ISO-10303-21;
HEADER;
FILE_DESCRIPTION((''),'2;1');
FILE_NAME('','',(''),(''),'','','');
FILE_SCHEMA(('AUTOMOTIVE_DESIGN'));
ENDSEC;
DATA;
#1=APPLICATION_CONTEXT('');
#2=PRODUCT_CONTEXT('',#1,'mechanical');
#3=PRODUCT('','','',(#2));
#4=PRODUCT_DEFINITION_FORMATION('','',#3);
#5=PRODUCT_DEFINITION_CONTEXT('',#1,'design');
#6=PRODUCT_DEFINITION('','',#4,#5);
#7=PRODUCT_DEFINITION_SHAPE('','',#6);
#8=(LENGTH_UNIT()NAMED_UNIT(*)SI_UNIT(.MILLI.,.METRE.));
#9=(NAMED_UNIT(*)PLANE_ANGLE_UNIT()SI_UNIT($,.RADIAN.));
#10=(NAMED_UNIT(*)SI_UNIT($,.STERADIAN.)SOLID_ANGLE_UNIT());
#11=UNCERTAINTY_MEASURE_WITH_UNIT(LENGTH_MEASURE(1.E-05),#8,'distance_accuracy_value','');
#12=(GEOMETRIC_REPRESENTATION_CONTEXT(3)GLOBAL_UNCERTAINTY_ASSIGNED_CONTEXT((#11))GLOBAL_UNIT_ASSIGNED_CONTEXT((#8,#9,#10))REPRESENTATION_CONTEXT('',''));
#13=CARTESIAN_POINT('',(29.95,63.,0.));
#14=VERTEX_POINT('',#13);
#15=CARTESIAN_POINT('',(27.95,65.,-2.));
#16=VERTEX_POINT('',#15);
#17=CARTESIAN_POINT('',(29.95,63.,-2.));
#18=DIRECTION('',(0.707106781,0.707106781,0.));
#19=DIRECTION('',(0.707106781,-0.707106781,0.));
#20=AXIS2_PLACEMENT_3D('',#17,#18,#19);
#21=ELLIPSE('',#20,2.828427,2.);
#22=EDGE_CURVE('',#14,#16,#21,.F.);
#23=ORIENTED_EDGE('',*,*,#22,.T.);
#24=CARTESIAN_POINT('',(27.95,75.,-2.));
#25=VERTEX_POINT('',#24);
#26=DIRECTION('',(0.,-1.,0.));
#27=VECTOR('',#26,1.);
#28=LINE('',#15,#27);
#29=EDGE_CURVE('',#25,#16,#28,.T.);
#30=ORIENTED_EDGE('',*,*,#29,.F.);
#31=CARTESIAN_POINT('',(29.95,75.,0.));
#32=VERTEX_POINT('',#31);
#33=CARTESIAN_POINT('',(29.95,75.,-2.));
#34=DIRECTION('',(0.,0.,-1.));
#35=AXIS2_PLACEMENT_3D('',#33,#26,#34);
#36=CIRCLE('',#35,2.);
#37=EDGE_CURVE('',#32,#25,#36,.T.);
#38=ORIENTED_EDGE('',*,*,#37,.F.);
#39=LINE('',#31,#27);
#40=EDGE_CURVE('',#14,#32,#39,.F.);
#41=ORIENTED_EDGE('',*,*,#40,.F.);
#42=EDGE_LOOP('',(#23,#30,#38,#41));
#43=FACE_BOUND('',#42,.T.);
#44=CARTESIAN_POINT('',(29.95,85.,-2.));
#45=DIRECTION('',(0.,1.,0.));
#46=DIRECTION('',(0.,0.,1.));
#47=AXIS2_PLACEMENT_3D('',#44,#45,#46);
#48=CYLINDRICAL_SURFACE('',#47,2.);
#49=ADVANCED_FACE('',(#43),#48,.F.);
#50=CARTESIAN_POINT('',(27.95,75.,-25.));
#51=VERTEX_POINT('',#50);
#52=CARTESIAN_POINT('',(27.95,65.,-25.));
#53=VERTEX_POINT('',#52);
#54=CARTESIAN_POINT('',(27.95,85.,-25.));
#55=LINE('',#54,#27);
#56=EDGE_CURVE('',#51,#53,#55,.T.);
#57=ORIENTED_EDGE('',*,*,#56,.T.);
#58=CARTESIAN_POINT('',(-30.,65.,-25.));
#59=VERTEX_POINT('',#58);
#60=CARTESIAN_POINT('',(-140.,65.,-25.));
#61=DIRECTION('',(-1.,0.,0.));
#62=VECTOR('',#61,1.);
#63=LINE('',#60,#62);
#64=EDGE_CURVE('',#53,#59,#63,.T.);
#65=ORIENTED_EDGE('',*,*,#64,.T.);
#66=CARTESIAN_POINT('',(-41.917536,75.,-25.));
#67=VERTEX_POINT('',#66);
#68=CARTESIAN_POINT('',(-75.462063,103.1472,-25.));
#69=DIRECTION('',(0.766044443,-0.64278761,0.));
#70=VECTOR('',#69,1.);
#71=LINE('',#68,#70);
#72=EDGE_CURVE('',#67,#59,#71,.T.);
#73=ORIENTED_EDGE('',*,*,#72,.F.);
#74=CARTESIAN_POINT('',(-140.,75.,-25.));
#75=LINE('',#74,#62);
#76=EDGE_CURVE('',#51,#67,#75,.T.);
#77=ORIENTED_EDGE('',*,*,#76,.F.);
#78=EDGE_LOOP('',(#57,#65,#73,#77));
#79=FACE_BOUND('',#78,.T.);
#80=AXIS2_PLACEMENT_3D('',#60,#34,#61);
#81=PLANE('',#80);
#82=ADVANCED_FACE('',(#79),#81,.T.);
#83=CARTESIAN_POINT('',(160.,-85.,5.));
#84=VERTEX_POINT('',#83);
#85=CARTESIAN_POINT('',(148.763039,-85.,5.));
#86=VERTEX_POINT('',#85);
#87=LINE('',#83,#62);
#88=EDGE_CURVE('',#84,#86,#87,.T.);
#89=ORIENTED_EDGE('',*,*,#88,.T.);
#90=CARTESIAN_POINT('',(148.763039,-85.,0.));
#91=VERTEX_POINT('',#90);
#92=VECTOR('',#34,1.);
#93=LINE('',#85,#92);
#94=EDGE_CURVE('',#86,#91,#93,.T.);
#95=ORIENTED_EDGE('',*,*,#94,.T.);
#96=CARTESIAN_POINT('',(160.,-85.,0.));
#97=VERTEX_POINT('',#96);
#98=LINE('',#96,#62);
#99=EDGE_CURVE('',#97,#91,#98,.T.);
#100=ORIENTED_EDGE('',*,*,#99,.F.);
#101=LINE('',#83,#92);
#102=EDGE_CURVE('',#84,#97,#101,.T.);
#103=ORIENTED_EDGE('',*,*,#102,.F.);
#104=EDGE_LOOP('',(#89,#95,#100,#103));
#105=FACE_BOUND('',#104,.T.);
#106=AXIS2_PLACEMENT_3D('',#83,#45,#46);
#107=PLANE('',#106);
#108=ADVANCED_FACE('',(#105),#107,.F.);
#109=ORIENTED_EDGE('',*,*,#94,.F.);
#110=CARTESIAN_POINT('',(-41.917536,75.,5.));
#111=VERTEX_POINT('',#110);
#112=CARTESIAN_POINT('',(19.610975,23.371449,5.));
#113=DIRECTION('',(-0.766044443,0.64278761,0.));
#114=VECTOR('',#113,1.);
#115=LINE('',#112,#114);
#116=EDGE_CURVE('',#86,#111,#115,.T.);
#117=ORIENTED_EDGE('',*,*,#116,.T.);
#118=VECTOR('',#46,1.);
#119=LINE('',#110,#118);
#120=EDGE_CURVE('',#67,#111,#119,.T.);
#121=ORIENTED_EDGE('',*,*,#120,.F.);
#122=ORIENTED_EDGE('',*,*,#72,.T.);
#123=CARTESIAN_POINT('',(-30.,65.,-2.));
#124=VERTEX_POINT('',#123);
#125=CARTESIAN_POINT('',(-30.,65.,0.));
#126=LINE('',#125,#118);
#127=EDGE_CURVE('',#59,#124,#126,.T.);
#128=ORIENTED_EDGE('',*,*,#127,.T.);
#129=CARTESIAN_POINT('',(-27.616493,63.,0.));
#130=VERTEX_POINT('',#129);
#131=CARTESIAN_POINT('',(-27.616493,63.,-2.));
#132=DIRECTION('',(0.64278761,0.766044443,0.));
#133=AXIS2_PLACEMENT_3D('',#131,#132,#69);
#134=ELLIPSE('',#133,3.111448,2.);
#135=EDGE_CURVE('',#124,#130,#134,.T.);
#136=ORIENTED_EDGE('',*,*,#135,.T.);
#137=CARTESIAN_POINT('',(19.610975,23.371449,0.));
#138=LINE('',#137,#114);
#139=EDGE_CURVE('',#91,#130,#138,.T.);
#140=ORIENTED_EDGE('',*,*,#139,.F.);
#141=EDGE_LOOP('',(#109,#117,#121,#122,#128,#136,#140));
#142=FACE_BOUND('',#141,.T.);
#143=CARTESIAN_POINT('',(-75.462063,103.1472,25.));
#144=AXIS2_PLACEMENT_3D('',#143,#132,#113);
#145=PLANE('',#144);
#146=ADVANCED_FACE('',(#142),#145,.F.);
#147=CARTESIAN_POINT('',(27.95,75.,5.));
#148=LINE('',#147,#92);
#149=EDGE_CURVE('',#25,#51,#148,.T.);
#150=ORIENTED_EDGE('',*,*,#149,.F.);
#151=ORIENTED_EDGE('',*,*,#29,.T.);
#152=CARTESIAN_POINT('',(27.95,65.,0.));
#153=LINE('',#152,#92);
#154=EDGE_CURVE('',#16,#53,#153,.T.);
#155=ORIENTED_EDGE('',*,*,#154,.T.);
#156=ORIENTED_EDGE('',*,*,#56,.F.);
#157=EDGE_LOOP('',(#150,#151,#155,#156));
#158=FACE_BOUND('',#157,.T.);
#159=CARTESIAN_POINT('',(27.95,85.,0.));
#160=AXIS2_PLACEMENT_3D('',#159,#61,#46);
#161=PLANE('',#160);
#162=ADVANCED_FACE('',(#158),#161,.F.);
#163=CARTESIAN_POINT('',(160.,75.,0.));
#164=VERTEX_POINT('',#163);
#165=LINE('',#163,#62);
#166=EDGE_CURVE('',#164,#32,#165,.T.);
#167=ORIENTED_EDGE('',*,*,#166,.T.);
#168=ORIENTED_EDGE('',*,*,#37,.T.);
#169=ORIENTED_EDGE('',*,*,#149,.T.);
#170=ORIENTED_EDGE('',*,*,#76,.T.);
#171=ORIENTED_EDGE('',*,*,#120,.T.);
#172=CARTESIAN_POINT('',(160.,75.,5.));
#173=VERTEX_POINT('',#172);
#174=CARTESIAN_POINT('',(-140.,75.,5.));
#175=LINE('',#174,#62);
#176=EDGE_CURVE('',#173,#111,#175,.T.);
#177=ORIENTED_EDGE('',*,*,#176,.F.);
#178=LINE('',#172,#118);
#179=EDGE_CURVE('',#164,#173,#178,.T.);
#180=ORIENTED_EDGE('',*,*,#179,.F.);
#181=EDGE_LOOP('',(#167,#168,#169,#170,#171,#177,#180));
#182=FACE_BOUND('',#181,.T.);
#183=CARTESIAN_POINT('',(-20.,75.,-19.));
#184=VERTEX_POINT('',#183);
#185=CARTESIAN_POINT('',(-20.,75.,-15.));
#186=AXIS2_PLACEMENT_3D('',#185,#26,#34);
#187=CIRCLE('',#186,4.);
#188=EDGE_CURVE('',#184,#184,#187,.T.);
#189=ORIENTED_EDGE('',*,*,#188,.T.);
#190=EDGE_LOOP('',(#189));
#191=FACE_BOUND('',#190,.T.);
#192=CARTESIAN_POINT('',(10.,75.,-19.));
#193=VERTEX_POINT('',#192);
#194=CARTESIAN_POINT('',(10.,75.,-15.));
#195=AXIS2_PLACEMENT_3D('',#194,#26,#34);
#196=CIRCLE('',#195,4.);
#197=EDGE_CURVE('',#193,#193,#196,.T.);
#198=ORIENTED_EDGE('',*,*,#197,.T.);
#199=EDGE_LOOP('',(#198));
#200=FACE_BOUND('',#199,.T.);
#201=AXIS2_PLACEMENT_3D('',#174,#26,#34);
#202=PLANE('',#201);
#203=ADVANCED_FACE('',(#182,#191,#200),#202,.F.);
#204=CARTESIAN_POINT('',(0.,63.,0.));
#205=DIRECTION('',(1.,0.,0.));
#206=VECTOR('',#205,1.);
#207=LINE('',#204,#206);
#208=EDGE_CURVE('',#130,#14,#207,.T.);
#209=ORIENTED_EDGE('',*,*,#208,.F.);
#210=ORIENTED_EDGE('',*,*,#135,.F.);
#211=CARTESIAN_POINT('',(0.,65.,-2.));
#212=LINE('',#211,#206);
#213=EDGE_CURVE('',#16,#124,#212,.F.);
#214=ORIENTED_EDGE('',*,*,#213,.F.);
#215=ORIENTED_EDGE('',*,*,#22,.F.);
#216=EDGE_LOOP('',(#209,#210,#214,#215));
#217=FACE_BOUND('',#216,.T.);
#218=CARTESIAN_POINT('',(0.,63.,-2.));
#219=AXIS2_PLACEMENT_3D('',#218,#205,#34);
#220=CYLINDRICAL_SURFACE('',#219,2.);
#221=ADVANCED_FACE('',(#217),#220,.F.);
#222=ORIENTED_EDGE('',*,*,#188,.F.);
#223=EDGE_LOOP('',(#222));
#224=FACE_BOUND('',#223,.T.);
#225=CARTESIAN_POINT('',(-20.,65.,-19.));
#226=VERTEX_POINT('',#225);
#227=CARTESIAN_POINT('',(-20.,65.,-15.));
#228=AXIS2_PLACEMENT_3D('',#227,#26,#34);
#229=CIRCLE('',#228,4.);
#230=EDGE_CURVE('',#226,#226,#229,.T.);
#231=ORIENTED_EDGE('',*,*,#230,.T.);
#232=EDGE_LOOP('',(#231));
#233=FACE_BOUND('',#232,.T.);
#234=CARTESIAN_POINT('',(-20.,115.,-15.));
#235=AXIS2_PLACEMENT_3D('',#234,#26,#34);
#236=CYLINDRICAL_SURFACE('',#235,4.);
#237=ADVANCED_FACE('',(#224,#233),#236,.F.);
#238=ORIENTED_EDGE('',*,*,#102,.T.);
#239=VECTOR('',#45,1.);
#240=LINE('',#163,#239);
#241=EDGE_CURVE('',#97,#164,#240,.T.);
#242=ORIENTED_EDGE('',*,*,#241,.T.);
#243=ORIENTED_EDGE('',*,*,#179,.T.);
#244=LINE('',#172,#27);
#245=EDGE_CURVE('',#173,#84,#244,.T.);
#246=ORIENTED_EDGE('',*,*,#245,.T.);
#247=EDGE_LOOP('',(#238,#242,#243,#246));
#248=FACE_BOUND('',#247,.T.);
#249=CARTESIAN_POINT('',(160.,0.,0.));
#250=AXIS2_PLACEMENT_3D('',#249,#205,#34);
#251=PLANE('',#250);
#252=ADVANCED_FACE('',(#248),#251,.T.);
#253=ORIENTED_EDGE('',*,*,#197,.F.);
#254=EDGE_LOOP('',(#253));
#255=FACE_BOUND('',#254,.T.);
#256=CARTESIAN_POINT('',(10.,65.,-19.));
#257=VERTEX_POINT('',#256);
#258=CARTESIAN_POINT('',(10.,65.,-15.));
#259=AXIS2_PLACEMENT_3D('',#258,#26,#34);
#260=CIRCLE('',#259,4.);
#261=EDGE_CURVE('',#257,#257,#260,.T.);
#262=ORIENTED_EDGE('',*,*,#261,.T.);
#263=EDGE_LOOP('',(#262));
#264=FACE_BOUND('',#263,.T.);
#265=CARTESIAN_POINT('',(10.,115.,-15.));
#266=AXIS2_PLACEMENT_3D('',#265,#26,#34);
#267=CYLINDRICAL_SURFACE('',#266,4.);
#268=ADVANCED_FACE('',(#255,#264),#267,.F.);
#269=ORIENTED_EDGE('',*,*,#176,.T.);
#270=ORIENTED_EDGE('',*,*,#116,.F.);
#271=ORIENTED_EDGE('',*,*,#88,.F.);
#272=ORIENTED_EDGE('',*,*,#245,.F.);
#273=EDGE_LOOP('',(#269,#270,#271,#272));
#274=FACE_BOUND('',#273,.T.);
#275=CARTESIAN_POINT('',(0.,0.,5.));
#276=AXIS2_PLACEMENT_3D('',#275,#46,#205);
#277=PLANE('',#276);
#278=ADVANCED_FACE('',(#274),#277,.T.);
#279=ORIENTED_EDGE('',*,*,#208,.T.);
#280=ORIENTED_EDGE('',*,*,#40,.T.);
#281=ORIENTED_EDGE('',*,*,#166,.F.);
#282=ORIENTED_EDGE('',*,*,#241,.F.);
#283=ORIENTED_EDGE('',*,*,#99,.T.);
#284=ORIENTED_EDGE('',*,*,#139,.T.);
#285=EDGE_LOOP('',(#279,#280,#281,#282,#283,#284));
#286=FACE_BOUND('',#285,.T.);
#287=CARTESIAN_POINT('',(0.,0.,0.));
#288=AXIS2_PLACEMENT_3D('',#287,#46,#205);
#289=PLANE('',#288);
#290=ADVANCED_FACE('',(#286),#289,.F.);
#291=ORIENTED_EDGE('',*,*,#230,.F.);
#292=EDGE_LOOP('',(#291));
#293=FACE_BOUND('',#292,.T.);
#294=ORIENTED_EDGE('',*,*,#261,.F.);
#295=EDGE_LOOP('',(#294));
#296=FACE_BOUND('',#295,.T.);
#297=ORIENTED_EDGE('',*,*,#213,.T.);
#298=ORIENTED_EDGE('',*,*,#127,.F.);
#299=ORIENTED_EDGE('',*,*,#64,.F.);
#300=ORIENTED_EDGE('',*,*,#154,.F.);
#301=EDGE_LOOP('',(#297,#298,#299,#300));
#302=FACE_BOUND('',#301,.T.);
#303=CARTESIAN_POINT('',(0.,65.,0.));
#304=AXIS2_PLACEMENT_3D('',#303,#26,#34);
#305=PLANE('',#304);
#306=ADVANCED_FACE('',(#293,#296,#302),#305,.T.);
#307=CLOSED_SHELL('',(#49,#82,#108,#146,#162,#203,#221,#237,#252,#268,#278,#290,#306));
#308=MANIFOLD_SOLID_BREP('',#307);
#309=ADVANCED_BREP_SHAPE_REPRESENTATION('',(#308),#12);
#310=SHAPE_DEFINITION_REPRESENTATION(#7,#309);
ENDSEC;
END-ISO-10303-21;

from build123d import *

# Parameters (mm, degrees)
SKETCH_2_W          = 280
SKETCH_2_H          = 150
EXTRUDE_1_DEPTH     = 5
SKETCH_3_W          = 280
SKETCH_3_H          = 25
EXTRUDE_2_DEPTH     = 10
CUT_EXTRUDE_1_DEPTH = 25
SKETCH_5_R          = 4
CUT_EXTRUDE_2_DEPTH = 50
SKETCH_6_W          = 5
SKETCH_6_H          = 160
EXTRUDE_3_DEPTH     = 20
EXTRUDE_4_DEPTH     = 5
CUT_EXTRUDE_3_DEPTH = 20
SKETCH_9_W          = 112.05
SKETCH_9_H          = 25
CUT_EXTRUDE_4_DEPTH = 20
FILLET_1_R          = 2


with BuildPart() as part:
    # 草图2 → 凸台-拉伸1 (new body)
    with BuildSketch(Plane.XY):
        Rectangle(SKETCH_2_W, SKETCH_2_H)
    extrude(amount=EXTRUDE_1_DEPTH)

    # 草图3 → 凸台-拉伸2 (add)
    with BuildSketch(Plane(origin=(0, 75, 0), x_dir=(1, 0, 0), z_dir=(0, 1, 0))):
        with Locations((0, 12.5)):
            Rectangle(SKETCH_3_W, SKETCH_3_H)
    extrude(amount=-EXTRUDE_2_DEPTH)

    # 草图4 → 切除-拉伸1 (cut, symmetric)
    with BuildSketch(Plane(origin=(0, 0, 0), x_dir=(-1, 0, 0), z_dir=(0, 0, -1))):
        Polygon((75.462063134, 103.147200408), (-172.007852349, -104.504714401), (179.32828037, -108.521449105), (159.998225544, 98.6463124), align=None)
    extrude(amount=CUT_EXTRUDE_1_DEPTH, both=True, mode=Mode.SUBTRACT)

    # 草图5 → 切除-拉伸2 (cut)
    with BuildSketch(Plane.XZ.offset(-65)):
        with Locations(Location((-20, -15, 0), (0, 0, 270))):
            Circle(SKETCH_5_R)
        with Locations(Location((10, -15, 0), (0, 0, 270))):
            Circle(SKETCH_5_R)
    extrude(amount=-CUT_EXTRUDE_2_DEPTH, mode=Mode.SUBTRACT)

    # 草图6 → 凸台-拉伸3 (add)
    with BuildSketch(Plane(origin=(140, 0, 0), x_dir=(0, 0, -1), z_dir=(1, 0, 0))):
        with Locations((-2.5, -5)):
            Rectangle(SKETCH_6_W, SKETCH_6_H)
    extrude(amount=EXTRUDE_3_DEPTH)

    # 草图7 → 凸台-拉伸4 (add)
    with BuildSketch(Plane.XY.offset(5)):
        Polygon((136.845502963, -75), (140, -77.6469373), (140, -75), align=None)
    extrude(amount=-EXTRUDE_4_DEPTH)

    # 草图8 → 切除-拉伸3 (cut)
    with BuildSketch(Plane.XY.offset(5)):
        Polygon((140, -77.6469373), (153.856787924, -89.274162936), (129.719459365, -89.898808536), align=None)
    extrude(amount=-CUT_EXTRUDE_3_DEPTH, mode=Mode.SUBTRACT)

    # 草图9 → 切除-拉伸4 (cut)
    with BuildSketch(Plane.XZ.offset(-65)):
        with Locations((83.975, -12.5)):
            Rectangle(SKETCH_9_W, SKETCH_9_H)
    extrude(amount=-CUT_EXTRUDE_4_DEPTH, mode=Mode.SUBTRACT)

    # 圆角1
    fillet_1_edges = [part.edges().sort_by_distance(p)[0] for p in [
        (27.95, 70, 0),
        (-1.025, 65, 0),
    ]]
    fillet(fillet_1_edges, radius=FILLET_1_R)


solid = part.part
